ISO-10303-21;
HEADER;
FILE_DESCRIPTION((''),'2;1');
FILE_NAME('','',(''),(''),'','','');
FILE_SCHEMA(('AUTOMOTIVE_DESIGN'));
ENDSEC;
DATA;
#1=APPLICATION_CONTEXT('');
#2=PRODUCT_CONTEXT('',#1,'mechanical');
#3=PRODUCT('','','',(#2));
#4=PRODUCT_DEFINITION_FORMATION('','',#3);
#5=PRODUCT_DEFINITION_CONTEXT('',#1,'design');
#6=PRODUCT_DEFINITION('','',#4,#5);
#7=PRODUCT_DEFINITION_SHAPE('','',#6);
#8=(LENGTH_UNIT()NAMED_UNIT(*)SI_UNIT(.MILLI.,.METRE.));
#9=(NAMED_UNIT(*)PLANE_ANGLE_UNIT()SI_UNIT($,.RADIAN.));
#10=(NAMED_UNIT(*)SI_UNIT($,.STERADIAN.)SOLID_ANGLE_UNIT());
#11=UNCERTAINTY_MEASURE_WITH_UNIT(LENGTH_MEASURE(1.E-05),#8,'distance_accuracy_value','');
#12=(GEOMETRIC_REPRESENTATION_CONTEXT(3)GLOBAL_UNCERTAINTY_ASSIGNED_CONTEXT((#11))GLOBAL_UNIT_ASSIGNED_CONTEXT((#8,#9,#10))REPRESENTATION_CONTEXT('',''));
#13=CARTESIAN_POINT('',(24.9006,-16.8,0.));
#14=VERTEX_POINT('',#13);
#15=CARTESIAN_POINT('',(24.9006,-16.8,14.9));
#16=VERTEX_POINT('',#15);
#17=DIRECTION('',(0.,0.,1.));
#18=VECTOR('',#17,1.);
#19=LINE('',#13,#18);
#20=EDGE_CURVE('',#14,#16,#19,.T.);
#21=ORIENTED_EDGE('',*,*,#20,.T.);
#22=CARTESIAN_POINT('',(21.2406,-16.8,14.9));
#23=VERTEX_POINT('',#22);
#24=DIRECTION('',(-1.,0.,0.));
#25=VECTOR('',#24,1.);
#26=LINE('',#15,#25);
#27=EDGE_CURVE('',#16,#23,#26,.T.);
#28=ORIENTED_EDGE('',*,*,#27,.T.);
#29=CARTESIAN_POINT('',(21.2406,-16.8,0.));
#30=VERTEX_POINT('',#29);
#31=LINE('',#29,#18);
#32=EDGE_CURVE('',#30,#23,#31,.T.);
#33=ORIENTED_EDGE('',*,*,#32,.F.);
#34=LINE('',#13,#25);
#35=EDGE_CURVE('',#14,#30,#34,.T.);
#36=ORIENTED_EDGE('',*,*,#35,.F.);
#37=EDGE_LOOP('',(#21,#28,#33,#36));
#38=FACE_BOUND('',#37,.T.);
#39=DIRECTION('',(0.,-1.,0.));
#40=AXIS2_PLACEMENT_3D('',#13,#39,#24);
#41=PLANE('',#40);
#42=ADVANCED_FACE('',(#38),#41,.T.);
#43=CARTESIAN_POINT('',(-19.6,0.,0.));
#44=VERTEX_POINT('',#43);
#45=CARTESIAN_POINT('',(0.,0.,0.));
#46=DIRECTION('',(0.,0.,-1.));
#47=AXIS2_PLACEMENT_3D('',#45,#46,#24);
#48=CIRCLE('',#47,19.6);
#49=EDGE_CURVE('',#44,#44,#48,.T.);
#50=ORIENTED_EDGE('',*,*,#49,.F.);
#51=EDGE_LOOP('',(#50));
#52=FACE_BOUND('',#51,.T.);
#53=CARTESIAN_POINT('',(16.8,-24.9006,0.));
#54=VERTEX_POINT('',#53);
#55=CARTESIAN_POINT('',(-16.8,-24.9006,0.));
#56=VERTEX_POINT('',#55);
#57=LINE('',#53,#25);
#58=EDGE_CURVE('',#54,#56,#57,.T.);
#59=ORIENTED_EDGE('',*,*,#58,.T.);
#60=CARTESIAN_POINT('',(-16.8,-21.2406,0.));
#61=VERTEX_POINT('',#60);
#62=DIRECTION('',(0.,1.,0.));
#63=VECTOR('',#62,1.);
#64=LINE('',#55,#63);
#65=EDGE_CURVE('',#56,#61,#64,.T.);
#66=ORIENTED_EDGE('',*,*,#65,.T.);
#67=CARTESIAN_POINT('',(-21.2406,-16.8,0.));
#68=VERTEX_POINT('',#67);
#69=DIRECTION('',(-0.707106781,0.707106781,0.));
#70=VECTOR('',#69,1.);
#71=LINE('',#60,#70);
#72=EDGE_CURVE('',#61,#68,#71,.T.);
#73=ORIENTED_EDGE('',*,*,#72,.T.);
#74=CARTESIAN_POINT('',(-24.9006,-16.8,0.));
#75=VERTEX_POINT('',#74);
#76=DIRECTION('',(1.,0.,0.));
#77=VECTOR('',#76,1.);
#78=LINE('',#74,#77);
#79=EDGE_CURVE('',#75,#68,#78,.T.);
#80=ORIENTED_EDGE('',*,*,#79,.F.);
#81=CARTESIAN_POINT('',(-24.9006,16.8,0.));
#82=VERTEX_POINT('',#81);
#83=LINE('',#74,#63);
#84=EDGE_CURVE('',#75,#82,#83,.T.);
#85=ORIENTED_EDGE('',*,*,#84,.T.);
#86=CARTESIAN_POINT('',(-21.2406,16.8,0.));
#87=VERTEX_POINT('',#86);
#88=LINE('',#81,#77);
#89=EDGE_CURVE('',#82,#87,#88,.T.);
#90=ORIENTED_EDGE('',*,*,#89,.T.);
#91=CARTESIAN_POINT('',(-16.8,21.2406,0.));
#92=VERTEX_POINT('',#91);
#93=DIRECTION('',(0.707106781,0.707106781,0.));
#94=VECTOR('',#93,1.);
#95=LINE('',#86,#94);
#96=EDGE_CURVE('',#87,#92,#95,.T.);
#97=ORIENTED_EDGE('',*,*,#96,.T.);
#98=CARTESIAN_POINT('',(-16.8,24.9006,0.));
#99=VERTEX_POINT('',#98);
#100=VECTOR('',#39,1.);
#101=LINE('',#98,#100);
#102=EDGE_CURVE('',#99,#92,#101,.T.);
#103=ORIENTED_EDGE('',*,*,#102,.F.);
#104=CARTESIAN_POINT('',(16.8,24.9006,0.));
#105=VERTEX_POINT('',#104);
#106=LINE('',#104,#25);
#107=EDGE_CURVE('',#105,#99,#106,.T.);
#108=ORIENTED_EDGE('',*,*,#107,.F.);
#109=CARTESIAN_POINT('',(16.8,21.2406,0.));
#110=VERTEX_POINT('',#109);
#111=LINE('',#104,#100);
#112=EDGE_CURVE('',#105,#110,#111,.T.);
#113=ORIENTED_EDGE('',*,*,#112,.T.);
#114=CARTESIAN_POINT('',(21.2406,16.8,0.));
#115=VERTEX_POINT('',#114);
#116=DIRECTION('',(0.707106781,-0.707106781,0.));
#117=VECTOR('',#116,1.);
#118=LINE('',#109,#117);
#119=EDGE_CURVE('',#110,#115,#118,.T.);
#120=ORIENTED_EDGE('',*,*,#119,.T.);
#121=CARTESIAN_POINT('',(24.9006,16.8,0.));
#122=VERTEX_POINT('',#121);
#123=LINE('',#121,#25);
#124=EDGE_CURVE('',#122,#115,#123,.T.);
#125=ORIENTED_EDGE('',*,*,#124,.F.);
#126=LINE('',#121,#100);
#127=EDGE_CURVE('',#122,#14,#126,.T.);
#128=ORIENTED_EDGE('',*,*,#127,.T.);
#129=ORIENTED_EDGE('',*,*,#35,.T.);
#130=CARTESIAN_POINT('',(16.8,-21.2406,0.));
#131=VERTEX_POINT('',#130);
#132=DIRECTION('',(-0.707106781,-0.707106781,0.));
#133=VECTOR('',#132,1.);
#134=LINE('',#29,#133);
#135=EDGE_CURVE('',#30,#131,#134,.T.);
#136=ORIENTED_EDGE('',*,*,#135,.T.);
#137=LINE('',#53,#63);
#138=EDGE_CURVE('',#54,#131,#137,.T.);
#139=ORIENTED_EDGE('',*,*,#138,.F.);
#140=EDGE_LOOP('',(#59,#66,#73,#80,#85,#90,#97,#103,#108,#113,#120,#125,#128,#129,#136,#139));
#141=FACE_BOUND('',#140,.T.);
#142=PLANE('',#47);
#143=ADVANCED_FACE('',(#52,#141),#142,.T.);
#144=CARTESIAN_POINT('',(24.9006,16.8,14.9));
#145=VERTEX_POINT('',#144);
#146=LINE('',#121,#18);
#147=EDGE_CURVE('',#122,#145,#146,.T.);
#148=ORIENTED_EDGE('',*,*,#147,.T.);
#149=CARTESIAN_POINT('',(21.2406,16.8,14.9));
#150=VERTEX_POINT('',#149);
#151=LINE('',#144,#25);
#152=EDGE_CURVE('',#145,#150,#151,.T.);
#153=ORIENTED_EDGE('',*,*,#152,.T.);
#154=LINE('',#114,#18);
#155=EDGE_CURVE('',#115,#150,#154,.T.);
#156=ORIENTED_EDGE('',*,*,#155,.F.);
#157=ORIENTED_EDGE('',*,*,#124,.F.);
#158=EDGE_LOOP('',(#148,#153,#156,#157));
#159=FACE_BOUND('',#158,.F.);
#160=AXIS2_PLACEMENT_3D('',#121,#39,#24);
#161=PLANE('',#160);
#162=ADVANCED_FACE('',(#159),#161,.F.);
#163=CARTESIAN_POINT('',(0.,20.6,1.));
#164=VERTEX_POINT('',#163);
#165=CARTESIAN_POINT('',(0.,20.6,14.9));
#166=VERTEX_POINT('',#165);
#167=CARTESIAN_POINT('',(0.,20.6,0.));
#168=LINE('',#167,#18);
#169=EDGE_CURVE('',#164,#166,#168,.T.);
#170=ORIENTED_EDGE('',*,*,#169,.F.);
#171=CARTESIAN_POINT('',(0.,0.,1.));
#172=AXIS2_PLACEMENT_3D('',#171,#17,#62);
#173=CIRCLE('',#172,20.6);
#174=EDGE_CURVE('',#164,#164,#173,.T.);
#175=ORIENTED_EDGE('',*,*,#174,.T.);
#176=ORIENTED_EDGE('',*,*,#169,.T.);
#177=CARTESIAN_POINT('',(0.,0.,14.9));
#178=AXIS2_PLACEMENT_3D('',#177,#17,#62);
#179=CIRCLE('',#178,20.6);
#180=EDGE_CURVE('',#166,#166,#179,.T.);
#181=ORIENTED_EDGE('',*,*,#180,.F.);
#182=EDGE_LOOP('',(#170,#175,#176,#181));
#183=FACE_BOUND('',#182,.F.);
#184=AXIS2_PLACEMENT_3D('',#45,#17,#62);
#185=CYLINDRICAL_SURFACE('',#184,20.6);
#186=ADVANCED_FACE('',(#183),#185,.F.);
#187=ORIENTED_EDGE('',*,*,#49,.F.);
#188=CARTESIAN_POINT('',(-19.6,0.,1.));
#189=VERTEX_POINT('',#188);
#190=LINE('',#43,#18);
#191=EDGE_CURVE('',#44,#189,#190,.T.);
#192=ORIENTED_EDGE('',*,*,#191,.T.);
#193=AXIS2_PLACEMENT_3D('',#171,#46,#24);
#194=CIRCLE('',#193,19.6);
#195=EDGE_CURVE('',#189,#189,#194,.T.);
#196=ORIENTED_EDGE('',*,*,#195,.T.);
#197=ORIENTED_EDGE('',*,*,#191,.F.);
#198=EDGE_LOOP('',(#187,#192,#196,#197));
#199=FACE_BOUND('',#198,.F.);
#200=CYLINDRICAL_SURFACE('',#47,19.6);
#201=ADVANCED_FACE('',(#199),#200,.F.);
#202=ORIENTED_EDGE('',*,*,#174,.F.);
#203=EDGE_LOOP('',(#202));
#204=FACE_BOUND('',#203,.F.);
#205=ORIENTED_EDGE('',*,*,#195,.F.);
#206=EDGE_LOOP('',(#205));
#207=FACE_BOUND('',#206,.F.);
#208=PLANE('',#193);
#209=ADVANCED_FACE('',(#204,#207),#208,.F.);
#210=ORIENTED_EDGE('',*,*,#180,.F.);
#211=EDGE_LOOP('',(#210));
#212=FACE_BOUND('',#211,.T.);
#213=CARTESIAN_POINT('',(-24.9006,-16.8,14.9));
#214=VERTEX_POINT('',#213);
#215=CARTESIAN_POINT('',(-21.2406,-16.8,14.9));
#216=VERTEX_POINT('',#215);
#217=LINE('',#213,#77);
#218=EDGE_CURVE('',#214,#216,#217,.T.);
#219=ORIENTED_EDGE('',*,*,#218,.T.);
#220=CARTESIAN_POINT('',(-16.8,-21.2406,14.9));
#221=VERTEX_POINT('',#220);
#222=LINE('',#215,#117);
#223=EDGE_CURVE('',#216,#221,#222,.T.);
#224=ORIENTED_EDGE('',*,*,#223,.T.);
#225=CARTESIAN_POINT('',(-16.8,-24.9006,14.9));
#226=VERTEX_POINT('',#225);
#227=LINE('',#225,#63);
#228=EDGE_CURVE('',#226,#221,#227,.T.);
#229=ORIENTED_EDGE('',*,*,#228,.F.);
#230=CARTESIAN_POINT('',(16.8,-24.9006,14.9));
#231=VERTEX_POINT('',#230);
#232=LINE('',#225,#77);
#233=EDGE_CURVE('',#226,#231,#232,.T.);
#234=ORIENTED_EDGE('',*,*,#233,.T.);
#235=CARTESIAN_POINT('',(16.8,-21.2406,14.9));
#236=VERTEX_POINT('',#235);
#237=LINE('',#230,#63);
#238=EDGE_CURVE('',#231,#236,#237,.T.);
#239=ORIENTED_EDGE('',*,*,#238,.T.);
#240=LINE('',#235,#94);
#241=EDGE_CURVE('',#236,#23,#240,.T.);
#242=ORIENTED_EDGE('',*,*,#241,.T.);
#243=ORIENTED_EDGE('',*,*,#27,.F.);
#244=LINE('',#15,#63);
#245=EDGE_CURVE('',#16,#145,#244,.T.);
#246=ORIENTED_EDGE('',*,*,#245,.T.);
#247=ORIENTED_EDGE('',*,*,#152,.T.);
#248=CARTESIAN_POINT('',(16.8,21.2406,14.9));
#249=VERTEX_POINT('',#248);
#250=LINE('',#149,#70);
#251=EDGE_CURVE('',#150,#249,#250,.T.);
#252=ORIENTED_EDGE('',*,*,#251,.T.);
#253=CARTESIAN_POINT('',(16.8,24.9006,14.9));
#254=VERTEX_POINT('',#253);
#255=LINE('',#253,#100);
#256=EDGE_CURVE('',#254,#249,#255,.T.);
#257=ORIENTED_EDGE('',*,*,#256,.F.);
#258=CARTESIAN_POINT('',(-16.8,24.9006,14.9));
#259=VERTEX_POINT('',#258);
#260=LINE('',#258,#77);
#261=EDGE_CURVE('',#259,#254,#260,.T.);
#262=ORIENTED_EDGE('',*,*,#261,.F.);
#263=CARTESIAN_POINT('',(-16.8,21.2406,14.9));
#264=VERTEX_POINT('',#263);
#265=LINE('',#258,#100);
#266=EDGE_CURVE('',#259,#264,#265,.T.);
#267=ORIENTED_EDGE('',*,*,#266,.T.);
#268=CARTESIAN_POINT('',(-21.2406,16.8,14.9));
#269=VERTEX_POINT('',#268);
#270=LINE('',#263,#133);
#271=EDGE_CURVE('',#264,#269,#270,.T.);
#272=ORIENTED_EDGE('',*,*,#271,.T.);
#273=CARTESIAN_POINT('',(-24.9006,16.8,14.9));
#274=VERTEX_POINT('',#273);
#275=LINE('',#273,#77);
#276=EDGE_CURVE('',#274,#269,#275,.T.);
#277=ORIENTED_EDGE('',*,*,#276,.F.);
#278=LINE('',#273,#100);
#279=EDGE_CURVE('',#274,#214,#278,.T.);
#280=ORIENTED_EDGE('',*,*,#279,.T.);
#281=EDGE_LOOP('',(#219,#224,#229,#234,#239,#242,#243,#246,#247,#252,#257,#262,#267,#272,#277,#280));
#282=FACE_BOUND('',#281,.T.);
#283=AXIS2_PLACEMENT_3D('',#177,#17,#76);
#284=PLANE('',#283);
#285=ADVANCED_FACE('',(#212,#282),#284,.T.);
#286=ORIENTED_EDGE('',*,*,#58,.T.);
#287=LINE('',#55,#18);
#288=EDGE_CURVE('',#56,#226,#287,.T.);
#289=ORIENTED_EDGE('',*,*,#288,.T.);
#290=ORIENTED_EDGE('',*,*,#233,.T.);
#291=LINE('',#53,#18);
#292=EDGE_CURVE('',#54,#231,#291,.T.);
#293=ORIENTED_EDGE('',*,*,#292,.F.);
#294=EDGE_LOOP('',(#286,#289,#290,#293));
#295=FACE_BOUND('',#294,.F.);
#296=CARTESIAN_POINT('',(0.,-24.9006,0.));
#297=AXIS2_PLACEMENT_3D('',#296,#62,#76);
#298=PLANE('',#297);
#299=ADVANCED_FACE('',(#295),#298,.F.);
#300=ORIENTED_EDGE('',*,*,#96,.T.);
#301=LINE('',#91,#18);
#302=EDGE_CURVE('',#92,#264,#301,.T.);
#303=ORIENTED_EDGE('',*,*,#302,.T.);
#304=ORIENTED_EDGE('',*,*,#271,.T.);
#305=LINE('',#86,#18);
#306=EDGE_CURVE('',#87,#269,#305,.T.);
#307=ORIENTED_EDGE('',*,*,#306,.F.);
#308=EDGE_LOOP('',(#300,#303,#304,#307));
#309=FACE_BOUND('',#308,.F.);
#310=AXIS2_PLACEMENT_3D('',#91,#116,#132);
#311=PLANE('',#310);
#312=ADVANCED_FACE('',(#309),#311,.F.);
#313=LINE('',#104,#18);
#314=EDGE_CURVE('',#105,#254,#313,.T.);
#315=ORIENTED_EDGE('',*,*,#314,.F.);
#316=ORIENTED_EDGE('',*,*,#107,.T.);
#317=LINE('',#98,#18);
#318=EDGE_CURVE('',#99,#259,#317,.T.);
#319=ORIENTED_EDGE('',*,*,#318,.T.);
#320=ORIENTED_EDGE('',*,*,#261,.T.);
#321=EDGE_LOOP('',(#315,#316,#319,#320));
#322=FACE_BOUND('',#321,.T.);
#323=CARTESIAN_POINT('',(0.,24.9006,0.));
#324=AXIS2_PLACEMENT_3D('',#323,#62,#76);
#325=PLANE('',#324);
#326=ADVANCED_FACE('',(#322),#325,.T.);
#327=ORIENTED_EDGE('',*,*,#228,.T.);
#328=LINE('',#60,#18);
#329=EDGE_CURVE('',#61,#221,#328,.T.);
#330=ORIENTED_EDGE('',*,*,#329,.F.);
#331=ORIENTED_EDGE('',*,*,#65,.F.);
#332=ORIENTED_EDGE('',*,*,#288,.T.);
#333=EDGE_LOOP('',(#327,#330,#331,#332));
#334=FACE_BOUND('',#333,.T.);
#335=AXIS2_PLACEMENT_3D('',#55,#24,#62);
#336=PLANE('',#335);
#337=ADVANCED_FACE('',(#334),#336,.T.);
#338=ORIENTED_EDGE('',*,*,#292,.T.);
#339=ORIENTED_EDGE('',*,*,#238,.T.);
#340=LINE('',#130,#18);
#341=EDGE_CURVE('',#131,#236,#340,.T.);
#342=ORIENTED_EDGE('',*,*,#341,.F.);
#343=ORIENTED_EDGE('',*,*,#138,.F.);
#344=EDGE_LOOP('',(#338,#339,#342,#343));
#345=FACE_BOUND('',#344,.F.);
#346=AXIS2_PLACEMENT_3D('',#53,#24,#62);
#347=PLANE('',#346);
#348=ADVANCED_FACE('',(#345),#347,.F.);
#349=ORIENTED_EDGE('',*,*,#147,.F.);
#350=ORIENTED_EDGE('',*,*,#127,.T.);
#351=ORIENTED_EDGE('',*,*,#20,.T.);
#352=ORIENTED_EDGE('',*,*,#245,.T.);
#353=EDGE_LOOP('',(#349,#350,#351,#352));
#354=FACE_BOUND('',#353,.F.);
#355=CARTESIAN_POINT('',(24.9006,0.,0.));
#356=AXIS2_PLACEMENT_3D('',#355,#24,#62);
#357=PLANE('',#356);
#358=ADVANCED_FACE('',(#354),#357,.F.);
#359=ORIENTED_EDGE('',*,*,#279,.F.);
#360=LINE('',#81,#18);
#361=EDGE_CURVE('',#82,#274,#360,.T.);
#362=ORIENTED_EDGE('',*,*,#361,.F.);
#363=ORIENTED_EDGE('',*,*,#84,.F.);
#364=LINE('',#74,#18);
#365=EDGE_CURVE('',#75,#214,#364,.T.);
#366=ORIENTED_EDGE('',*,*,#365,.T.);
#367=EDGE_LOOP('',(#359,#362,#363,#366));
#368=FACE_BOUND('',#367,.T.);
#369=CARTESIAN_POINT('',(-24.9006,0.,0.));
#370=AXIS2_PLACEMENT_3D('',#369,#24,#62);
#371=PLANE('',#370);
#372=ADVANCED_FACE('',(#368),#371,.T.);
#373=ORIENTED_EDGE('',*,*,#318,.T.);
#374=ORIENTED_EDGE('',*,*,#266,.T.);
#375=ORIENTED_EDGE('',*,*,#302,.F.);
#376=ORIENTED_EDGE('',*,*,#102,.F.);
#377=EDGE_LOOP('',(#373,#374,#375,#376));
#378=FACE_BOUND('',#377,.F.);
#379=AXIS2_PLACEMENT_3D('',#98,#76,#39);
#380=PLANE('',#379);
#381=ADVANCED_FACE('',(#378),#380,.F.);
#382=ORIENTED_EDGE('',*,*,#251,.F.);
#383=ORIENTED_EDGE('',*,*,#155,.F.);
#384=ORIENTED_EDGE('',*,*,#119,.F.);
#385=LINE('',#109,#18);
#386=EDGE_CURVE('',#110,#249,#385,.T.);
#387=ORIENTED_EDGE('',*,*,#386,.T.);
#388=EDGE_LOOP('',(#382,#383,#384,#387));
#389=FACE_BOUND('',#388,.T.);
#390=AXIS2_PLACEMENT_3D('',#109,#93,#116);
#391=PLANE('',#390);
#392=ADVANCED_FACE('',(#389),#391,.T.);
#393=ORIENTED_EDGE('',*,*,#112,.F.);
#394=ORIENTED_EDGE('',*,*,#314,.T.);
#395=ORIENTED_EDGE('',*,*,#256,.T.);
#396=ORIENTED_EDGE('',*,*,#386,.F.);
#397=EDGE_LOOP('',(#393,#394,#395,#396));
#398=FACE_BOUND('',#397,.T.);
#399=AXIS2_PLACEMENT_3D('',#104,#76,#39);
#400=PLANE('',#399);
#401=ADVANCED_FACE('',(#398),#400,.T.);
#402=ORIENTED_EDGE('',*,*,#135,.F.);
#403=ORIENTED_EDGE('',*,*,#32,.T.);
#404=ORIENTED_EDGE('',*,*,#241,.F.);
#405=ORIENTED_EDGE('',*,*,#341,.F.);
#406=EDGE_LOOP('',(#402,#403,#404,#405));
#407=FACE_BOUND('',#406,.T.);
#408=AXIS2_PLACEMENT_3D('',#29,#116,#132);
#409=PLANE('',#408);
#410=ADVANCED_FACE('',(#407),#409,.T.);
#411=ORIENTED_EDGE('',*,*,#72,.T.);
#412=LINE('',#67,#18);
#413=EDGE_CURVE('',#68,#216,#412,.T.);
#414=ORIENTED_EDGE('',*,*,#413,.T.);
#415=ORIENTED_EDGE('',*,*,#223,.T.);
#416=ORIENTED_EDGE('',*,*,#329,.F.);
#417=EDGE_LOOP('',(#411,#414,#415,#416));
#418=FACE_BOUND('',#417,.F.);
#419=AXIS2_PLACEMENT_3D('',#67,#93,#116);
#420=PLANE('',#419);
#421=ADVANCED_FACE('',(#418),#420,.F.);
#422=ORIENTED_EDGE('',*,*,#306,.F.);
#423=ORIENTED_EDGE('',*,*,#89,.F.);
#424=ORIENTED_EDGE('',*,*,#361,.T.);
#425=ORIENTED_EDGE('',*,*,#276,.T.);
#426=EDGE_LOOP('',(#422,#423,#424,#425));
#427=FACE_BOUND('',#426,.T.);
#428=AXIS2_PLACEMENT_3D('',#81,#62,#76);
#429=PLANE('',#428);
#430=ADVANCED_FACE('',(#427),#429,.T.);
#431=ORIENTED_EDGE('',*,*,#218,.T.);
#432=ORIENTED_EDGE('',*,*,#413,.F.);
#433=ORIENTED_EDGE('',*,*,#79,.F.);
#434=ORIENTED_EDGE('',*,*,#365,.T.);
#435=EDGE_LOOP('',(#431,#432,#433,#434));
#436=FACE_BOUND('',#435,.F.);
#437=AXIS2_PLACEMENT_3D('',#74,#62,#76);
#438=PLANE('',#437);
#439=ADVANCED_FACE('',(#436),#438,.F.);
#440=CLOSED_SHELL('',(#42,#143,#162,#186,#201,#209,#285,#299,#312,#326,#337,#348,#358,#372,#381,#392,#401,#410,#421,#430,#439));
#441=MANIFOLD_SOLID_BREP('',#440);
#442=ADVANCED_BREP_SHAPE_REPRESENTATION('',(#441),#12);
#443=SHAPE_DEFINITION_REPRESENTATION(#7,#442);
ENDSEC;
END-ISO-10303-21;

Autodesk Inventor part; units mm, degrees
ref_plane "YZ Plane" through (0, 0, 0) normal (1, 0, 0) x (0, 1, 0)
ref_plane "XZ Plane" through (0, 0, 0) normal (0, 1, 0) x (-1, 0, 0)
ref_plane "XY Plane" through (0, 0, 0) normal (0, 0, 1) x (1, 0, 0)
sketch "Sketch1" plane through (0, 0, 0) normal (0, 0, 1) x (1, 0, 0)
  line L0 (-34.8609, 0) -> (34.8609, 0) construction
  line L1 (0, -34.8609) -> (0, 34.8609) construction
  line L2 (0, 0) -> (13.4339, 13.4339) construction
  line L3 (0, 0) -> (18.9985, 0) construction
  line L4 (0, 24.9006) -> (16.8, 24.9006)
  line L5 (16.8, 24.9006) -> (16.8, 21.2406)
  line L6 (16.8, 21.2406) -> (19.0203, 19.0203)
  line L7 (24.9006, 0) -> (24.9006, 16.8)
  line L8 (24.9006, 16.8) -> (21.2406, 16.8)
  line L9 (21.2406, 16.8) -> (19.0203, 19.0203)
  line L10 (0, 0) -> (-13.4339, 13.4339) construction
  line L11 (0, 0) -> (-18.9985, 0) construction
  line L12 (0, 24.9006) -> (-16.8, 24.9006)
  line L13 (-16.8, 24.9006) -> (-16.8, 21.2406)
  line L14 (-16.8, 21.2406) -> (-19.0203, 19.0203)
  line L15 (-24.9006, 0) -> (-24.9006, 16.8)
  line L16 (-24.9006, 16.8) -> (-21.2406, 16.8)
  line L17 (-21.2406, 16.8) -> (-19.0203, 19.0203)
  line L18 (0, 0) -> (13.4339, -13.4339) construction
  line L19 (0, -24.9006) -> (16.8, -24.9006)
  line L20 (16.8, -24.9006) -> (16.8, -21.2406)
  line L21 (16.8, -21.2406) -> (19.0203, -19.0203)
  line L22 (24.9006, 0) -> (24.9006, -16.8)
  line L23 (24.9006, -16.8) -> (21.2406, -16.8)
  line L24 (21.2406, -16.8) -> (19.0203, -19.0203)
  line L25 (0, 0) -> (-13.4339, -13.4339) construction
  line L26 (0, -24.9006) -> (-16.8, -24.9006)
  line L27 (-16.8, -24.9006) -> (-16.8, -21.2406)
  line L28 (-16.8, -21.2406) -> (-19.0203, -19.0203)
  line L29 (-24.9006, 0) -> (-24.9006, -16.8)
  line L30 (-24.9006, -16.8) -> (-21.2406, -16.8)
  line L31 (-21.2406, -16.8) -> (-19.0203, -19.0203)
  dimension "d0" = 45
  dimension "d1" = 3.14
  dimension "d2" = 3.66
  dimension "d3" = 16.8
extrude "Thickness" add sketch "Sketch1" along normal blind 14.9
hole "Hole1" at (0, 0, 0) direction (0, 0, 1) diameter 41.2 end through all
sketch "Sketch2" plane through (0, 0, 0) normal (0, 0, -1) x (-1, 0, 0)
  circle A0 centre (0, 0) radius 20.6 projected
  line L0 (16.8, 24.9006) -> (-16.8, 24.9006) projected
  line L1 (-16.8, 24.9006) -> (-16.8, 21.2406) projected
  line L2 (-16.8, 21.2406) -> (-21.2406, 16.8) projected
  line L3 (-21.2406, 16.8) -> (-24.9006, 16.8) projected
  line L4 (-24.9006, 16.8) -> (-24.9006, -16.8) projected
  line L5 (-24.9006, -16.8) -> (-21.2406, -16.8) projected
  line L6 (-21.2406, -16.8) -> (-16.8, -21.2406) projected
  line L7 (-16.8, -21.2406) -> (-16.8, -24.9006) projected
  line L8 (-16.8, -24.9006) -> (16.8, -24.9006) projected
  line L9 (16.8, -24.9006) -> (16.8, -21.2406) projected
  line L10 (16.8, -21.2406) -> (21.2406, -16.8) projected
  line L11 (21.2406, -16.8) -> (24.9006, -16.8) projected
  line L12 (24.9006, -16.8) -> (24.9006, 16.8) projected
  line L13 (24.9006, 16.8) -> (21.2406, 16.8) projected
  line L14 (21.2406, 16.8) -> (16.8, 21.2406) projected
  line L15 (16.8, 21.2406) -> (16.8, 24.9006) projected
  circle A1 centre (0, 0) radius 19.6
  dimension "d17" = 1
extrude "Extrusion2" add sketch "Sketch2" against normal blind 1 contours A0
equation "\"Lens_diameter\" = 25.4"
properties part number "20_Lens_holder"
